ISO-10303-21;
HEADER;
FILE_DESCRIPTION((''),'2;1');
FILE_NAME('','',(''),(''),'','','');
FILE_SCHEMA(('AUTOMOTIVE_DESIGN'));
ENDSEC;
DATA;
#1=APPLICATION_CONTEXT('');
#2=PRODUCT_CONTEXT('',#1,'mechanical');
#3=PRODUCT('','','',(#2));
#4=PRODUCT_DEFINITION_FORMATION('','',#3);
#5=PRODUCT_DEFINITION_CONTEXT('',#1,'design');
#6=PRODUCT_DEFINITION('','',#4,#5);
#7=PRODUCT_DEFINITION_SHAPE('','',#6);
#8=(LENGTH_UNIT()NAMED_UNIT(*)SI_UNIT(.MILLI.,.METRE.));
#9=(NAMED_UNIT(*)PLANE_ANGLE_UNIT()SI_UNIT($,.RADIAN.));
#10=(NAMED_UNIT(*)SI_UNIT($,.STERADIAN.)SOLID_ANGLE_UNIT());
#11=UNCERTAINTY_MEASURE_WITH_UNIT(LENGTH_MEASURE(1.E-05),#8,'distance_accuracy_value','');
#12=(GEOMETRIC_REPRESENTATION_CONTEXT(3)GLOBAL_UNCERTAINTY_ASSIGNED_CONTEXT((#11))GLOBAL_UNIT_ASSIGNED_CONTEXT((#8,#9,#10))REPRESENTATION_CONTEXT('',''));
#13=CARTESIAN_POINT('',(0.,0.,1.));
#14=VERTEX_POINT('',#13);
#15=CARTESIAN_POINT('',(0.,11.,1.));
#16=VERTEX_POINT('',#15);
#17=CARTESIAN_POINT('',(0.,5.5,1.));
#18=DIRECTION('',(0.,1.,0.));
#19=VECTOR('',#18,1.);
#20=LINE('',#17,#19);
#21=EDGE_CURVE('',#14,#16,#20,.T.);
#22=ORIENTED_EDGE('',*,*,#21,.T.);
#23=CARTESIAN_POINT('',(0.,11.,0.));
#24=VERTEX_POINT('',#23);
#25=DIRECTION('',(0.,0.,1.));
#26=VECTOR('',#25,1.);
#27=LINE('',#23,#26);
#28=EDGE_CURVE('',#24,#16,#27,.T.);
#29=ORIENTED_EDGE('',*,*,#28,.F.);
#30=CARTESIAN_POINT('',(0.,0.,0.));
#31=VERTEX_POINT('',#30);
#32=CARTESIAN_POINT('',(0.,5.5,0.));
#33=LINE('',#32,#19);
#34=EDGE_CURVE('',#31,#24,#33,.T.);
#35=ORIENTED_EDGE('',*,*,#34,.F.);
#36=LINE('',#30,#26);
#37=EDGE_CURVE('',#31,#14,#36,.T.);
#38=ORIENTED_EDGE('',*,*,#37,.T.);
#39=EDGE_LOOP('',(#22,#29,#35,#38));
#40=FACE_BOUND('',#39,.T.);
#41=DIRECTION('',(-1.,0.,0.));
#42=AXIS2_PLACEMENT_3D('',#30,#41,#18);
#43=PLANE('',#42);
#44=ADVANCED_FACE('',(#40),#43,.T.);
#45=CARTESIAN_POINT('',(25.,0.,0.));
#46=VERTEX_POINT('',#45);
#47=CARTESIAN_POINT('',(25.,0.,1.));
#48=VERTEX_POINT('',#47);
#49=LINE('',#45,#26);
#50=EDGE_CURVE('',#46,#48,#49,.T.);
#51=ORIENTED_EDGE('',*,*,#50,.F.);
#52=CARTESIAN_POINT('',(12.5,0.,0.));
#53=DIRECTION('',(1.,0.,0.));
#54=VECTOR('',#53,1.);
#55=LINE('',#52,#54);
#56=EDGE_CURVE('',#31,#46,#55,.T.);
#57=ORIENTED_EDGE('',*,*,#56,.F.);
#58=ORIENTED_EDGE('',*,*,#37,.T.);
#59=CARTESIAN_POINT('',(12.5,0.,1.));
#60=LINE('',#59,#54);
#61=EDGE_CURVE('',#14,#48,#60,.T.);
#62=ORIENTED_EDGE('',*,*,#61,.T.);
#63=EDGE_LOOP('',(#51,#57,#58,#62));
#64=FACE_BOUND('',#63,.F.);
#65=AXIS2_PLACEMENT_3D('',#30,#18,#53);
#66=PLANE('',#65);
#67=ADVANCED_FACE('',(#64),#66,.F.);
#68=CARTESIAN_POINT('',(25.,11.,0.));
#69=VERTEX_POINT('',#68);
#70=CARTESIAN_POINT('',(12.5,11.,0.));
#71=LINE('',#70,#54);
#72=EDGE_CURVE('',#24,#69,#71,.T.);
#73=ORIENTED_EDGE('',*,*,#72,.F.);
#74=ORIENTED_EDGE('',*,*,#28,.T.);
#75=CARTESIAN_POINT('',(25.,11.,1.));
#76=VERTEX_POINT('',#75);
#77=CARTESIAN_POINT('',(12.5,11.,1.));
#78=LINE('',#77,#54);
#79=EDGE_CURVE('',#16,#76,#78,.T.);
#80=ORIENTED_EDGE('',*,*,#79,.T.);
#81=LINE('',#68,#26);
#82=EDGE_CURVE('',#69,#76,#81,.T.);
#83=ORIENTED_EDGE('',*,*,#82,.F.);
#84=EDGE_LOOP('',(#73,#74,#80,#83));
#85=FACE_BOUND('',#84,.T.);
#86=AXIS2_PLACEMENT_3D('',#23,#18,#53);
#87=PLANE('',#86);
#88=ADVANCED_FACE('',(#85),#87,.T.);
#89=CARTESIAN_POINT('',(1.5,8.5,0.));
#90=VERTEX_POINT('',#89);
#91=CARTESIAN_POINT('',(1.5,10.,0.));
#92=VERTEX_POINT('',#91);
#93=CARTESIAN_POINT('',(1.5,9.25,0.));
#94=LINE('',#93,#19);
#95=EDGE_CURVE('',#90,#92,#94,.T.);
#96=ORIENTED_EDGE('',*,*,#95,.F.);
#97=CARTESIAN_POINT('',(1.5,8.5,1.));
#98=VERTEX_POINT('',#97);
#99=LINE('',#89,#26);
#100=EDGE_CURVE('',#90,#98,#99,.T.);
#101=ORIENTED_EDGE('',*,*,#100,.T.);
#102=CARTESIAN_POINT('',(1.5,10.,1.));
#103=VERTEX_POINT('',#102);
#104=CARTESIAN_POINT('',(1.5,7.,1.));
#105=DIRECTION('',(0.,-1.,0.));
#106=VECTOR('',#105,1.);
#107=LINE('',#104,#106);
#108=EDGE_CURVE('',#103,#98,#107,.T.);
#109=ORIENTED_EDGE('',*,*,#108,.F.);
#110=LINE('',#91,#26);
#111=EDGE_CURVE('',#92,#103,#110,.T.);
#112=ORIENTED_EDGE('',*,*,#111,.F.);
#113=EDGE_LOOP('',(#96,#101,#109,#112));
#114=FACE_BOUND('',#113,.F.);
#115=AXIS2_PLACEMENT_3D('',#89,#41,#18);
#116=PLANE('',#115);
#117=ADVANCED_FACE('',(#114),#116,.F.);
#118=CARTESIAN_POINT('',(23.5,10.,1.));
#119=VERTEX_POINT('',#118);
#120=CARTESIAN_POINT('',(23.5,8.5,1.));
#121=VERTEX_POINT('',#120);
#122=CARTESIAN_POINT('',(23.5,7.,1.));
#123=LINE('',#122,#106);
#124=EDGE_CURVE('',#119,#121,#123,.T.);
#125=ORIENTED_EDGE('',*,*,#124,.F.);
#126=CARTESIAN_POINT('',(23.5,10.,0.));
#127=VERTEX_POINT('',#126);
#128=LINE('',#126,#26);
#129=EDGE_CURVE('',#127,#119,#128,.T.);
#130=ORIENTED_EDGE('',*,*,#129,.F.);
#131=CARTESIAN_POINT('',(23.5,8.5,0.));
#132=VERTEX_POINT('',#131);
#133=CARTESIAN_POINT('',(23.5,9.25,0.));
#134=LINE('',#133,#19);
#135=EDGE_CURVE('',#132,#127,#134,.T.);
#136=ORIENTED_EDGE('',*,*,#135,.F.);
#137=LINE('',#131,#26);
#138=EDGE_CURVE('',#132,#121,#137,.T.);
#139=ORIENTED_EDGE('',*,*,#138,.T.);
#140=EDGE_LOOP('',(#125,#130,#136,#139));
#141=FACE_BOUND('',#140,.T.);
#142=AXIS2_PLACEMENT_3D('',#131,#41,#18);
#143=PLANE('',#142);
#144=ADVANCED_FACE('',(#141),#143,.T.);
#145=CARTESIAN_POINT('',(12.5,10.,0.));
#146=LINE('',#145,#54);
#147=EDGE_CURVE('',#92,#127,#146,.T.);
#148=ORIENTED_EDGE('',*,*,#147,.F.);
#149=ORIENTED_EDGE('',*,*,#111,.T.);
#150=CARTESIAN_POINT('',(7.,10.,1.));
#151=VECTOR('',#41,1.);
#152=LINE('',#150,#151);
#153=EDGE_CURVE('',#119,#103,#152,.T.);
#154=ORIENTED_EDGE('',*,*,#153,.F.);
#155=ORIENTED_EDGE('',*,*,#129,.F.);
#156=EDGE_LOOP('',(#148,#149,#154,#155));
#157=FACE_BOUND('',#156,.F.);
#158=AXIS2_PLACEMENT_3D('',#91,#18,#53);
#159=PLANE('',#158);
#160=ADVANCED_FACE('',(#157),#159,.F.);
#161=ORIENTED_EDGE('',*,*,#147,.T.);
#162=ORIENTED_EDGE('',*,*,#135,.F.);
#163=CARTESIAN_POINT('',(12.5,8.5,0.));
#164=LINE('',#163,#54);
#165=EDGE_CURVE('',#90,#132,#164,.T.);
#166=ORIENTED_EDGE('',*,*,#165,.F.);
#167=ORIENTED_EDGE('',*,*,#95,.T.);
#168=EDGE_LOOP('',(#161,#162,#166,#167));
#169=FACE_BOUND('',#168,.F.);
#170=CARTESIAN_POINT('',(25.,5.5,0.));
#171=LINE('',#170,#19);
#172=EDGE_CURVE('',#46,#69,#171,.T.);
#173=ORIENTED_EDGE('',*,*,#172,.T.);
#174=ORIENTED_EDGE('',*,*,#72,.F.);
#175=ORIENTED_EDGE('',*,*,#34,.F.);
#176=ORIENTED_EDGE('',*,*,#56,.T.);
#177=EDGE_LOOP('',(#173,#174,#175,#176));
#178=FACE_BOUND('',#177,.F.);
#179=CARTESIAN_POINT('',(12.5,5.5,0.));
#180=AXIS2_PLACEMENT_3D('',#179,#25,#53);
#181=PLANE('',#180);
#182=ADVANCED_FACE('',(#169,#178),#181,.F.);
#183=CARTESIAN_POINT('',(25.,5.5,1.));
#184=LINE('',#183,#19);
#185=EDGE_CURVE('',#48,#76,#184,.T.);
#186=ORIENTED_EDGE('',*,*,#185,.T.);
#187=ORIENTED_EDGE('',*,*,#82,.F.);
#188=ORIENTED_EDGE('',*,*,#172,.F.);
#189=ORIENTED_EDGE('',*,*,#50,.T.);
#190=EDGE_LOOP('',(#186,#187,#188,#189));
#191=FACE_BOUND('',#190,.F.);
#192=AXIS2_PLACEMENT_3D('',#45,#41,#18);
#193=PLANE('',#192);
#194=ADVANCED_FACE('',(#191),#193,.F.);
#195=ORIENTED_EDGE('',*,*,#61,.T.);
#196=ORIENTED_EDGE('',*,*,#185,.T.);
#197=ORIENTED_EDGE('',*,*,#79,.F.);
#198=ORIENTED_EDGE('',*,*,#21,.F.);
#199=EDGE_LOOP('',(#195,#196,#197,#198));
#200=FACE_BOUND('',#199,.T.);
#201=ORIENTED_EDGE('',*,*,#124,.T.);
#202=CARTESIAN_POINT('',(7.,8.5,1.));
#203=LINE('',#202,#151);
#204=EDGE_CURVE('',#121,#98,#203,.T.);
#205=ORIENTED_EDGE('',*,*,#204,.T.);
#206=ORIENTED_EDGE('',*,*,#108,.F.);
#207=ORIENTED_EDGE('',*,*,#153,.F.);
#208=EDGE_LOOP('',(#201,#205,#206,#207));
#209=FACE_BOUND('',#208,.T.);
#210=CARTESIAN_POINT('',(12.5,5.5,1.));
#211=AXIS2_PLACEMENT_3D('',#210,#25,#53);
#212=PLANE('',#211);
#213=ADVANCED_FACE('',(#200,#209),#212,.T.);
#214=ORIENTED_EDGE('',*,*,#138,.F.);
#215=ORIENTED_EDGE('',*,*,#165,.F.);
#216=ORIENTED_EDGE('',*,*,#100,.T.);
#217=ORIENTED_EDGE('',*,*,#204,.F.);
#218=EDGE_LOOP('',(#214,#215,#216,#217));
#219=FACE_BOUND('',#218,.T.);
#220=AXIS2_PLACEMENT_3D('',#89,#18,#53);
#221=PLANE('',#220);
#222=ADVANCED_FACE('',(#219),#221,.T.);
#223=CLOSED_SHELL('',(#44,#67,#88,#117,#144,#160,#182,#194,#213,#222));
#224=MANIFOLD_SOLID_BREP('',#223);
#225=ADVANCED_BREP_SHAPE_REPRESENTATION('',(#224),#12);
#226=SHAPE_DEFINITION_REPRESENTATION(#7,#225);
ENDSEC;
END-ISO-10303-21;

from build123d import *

# Parameters (mm, degrees)
BOX145_W     = 22
BOX145_H     = 1.5
BOX145_DEPTH = 2
BOX143_W     = 25
BOX143_H     = 11
BOX143_DEPTH = 1


with BuildPart() as longledhole009:
    # Box145 → Box145 (new body)
    with BuildSketch(Plane(origin=(1.5, 8.5, 0), x_dir=(1, 0, 0), z_dir=(0, 0, 1))):
        with Locations((11, 0.75)):
            Rectangle(BOX145_W, BOX145_H)
    extrude(amount=BOX145_DEPTH)


with BuildPart() as cut026:
    # Box143 → Box143 (new body)
    with BuildSketch(Plane.XY):
        with Locations((12.5, 5.5)):
            Rectangle(BOX143_W, BOX143_H)
    extrude(amount=BOX143_DEPTH)

    # Cut026: cut LongLedHole009
    add(longledhole009.part, mode=Mode.SUBTRACT)


solid = cut026.part
